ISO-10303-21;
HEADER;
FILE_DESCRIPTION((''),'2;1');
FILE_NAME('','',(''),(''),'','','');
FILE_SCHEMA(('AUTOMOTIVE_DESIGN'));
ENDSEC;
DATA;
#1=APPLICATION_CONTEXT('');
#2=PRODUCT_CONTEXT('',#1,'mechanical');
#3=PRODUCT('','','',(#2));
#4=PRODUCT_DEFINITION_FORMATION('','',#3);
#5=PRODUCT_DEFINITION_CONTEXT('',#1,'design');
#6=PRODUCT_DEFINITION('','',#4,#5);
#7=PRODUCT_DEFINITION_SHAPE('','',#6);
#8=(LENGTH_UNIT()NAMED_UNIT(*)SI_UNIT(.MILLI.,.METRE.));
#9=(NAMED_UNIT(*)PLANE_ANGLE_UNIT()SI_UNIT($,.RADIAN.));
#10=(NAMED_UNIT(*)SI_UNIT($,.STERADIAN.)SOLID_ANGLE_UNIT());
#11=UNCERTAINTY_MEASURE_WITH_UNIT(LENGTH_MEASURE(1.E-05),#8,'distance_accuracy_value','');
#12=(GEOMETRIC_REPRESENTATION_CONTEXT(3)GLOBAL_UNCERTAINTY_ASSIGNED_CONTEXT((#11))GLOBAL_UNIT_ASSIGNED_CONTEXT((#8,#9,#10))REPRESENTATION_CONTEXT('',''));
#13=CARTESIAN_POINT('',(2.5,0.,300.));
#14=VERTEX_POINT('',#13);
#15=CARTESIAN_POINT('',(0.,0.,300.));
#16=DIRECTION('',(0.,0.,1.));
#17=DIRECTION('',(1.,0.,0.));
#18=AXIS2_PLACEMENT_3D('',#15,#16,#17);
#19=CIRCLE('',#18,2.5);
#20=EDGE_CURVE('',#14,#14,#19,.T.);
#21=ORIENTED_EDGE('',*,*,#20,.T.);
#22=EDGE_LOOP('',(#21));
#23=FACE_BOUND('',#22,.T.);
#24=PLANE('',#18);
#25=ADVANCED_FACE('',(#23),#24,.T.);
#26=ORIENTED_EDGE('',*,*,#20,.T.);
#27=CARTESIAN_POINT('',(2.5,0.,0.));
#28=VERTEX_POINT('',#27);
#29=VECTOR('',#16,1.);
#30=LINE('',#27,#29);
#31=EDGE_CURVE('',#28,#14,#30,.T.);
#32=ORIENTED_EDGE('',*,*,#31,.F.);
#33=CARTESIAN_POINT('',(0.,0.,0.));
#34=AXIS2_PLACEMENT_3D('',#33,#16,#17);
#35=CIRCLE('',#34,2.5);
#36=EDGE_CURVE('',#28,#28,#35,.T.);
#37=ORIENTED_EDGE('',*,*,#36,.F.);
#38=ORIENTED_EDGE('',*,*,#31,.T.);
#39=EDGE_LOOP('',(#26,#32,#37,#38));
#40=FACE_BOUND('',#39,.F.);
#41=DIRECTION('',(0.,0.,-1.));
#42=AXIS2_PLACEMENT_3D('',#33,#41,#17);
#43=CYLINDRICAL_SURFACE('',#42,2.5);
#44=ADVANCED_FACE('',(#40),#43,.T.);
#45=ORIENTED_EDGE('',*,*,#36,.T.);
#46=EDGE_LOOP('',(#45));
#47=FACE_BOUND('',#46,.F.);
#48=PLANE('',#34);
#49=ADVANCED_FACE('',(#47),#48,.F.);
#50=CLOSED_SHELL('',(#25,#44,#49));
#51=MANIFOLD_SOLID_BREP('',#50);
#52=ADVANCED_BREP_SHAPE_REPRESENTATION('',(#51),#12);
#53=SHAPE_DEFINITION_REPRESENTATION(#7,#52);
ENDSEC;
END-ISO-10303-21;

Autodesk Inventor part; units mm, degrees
ref_plane "YZ Plane" through (0, 0, 0) normal (1, 0, 0) x (0, 1, 0)
ref_plane "XZ Plane" through (0, 0, 0) normal (0, 1, 0) x (-1, 0, 0)
ref_plane "XY Plane" through (0, 0, 0) normal (0, 0, 1) x (1, 0, 0)
sketch "Sketch1" plane through (0, 0, 0) normal (0, 0, 1) x (1, 0, 0)
  circle A0 centre (0, 0) radius 2.5
  dimension "d0" = 5
extrude "Extrusion1" add sketch "Sketch1" along normal blind 300
properties part number "stick"
